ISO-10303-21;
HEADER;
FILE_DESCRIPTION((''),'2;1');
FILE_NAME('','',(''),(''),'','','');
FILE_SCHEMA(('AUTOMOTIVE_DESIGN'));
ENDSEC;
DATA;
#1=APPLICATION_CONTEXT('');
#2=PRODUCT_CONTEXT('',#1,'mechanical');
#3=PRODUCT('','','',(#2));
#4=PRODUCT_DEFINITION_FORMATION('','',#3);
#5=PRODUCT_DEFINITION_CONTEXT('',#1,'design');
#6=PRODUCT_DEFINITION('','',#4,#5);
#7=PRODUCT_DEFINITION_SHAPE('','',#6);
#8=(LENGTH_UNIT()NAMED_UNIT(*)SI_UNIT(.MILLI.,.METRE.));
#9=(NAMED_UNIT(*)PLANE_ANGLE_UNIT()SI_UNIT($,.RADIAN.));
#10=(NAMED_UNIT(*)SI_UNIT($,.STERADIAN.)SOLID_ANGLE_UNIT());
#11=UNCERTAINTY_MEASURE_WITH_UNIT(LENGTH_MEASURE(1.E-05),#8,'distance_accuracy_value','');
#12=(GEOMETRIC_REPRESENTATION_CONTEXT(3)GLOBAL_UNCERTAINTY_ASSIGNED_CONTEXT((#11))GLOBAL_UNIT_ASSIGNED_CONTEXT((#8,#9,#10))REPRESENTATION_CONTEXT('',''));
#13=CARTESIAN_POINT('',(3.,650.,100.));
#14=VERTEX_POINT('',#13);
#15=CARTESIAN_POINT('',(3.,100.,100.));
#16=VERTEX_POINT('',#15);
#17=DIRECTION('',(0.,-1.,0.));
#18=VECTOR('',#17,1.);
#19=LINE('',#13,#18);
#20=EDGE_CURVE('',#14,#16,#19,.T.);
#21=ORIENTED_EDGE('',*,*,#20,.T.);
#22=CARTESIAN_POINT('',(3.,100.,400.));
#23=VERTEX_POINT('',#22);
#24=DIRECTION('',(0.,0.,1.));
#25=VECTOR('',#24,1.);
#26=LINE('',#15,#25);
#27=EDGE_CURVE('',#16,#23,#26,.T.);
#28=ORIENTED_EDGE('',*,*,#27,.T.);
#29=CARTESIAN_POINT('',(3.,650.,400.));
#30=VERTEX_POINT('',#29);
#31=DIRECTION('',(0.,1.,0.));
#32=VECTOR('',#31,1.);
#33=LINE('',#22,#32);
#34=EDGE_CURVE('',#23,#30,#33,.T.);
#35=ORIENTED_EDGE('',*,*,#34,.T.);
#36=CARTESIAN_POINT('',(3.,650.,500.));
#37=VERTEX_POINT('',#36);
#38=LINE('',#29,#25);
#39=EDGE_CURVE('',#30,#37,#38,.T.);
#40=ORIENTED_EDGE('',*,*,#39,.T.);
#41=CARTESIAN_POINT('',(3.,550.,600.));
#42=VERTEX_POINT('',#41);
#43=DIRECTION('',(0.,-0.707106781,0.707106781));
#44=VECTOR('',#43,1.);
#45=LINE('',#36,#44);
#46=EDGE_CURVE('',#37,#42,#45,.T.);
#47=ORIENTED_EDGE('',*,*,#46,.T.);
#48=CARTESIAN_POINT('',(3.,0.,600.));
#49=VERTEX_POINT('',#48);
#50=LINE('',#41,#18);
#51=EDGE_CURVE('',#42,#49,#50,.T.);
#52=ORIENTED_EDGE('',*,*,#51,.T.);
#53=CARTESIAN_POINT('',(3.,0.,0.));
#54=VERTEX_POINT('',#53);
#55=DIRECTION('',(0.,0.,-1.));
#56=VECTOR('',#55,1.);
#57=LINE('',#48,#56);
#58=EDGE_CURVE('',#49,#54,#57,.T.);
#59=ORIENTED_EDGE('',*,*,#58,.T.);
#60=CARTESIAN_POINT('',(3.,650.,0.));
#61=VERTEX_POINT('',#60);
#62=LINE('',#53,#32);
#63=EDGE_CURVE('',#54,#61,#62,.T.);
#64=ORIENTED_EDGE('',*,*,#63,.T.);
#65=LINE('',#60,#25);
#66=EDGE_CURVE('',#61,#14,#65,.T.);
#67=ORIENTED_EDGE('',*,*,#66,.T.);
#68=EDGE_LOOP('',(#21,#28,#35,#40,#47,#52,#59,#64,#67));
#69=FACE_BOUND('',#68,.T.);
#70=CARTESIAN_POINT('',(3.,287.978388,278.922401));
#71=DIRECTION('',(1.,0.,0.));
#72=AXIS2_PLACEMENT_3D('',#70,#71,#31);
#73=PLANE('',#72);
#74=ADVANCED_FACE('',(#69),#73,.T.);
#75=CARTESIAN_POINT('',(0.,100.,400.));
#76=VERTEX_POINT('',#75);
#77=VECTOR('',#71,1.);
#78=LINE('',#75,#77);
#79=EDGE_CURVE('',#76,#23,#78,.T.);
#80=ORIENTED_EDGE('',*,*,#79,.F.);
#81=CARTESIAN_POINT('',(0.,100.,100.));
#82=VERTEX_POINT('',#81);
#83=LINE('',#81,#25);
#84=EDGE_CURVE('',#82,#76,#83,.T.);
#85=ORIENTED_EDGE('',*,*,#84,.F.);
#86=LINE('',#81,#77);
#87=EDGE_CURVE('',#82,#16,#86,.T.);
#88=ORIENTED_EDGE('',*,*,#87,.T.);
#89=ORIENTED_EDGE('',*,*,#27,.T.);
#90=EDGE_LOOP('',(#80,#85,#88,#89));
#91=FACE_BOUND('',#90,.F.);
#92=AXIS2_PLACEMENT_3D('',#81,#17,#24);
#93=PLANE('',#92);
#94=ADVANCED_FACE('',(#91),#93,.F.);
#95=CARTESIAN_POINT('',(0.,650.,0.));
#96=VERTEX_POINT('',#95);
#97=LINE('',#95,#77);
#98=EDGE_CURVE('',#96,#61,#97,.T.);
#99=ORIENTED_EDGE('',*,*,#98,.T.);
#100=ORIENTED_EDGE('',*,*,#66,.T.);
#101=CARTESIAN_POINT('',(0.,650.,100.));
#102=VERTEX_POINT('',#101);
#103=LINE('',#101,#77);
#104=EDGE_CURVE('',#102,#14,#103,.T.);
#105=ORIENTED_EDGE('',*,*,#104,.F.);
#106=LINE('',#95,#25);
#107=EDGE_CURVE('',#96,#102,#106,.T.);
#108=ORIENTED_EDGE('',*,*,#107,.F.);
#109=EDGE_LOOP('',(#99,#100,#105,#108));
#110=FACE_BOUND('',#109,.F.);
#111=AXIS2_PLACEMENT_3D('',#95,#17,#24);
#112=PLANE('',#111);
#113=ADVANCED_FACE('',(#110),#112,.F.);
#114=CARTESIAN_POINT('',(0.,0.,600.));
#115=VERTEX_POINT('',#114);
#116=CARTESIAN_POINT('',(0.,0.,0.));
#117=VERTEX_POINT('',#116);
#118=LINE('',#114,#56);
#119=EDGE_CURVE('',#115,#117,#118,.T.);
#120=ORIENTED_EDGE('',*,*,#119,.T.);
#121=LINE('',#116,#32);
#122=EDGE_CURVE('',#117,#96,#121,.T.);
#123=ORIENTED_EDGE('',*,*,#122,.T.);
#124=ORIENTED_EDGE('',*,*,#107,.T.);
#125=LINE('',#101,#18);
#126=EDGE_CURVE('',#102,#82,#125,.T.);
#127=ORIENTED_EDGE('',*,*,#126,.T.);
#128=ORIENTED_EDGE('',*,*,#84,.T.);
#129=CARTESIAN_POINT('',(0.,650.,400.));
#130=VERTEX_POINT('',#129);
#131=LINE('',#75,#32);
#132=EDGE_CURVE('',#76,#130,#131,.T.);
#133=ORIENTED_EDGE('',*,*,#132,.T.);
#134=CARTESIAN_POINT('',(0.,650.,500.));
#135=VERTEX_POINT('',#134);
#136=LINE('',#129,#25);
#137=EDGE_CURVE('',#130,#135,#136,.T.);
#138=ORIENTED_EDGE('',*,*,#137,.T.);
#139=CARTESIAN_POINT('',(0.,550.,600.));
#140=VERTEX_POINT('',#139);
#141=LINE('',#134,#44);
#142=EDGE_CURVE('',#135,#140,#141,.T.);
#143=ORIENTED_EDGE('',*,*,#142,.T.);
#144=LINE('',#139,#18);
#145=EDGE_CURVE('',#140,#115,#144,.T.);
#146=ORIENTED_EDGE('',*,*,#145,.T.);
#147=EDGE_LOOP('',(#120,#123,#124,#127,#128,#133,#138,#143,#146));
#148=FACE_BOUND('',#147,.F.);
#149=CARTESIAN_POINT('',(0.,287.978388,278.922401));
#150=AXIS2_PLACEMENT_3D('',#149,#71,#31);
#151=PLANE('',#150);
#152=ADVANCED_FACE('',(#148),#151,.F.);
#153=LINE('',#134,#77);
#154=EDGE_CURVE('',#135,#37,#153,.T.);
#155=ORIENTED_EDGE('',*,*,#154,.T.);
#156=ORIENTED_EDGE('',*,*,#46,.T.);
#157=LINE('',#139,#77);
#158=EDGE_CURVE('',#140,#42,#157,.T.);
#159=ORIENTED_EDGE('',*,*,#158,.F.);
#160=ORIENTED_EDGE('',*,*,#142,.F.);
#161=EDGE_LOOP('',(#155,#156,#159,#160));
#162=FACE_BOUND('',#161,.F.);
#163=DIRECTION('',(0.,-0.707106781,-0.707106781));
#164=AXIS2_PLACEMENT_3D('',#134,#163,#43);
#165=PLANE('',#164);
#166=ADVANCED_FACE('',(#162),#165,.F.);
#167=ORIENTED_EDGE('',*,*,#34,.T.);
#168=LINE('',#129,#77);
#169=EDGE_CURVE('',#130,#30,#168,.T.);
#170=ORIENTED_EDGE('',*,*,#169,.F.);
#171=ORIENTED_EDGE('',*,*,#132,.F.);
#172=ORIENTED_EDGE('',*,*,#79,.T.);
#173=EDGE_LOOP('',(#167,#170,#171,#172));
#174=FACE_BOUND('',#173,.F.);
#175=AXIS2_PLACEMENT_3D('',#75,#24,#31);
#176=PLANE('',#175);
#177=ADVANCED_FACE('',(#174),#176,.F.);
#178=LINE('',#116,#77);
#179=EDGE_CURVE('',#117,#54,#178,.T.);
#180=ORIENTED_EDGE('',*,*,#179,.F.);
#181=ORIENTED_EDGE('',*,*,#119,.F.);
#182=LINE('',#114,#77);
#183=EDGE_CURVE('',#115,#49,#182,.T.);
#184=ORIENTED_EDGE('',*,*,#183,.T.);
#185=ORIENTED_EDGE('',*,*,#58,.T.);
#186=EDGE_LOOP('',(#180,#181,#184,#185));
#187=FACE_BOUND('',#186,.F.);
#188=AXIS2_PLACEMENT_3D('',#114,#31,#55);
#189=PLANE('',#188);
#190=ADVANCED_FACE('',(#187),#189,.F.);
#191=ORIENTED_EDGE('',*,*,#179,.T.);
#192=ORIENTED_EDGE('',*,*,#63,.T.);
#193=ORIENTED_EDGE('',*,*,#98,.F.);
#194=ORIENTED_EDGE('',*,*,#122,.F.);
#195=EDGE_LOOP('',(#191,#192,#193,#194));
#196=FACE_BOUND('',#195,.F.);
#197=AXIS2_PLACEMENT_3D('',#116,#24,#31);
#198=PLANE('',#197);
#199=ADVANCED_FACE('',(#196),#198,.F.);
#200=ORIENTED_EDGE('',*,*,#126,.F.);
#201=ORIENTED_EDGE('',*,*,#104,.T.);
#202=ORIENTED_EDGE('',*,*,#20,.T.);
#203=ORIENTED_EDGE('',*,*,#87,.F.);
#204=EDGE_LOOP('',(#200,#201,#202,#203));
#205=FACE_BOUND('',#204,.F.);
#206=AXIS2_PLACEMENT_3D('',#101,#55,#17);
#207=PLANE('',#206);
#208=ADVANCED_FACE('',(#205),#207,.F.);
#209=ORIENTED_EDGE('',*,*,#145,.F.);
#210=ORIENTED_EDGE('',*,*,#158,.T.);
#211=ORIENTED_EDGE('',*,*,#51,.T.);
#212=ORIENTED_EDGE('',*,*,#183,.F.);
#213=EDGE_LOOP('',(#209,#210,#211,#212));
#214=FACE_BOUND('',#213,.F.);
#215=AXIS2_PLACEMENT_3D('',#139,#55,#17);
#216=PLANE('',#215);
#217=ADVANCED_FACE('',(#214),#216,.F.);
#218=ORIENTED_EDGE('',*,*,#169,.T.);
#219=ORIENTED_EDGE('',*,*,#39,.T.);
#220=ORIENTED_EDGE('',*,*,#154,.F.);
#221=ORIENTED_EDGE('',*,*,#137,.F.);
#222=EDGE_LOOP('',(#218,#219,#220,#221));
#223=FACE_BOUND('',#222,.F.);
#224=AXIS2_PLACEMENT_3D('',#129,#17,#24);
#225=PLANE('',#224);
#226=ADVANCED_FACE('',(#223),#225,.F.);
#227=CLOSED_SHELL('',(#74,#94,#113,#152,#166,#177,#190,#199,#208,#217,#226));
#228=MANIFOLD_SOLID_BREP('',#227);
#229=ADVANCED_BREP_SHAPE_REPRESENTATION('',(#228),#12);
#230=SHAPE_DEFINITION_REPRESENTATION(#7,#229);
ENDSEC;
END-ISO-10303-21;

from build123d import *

# Parameters (mm, degrees)
F1_DEPTH = 3


with BuildPart() as f1:
    # F0 (on Right) → F1 (new body)
    with BuildSketch(Plane.YZ):
        Polygon((0, 600), (0, 0), (650, 0), (650, 100), (100, 100), (100, 400), (650, 400), (650, 500), (550, 600), align=None)
    extrude(amount=F1_DEPTH)


solid = f1.part
